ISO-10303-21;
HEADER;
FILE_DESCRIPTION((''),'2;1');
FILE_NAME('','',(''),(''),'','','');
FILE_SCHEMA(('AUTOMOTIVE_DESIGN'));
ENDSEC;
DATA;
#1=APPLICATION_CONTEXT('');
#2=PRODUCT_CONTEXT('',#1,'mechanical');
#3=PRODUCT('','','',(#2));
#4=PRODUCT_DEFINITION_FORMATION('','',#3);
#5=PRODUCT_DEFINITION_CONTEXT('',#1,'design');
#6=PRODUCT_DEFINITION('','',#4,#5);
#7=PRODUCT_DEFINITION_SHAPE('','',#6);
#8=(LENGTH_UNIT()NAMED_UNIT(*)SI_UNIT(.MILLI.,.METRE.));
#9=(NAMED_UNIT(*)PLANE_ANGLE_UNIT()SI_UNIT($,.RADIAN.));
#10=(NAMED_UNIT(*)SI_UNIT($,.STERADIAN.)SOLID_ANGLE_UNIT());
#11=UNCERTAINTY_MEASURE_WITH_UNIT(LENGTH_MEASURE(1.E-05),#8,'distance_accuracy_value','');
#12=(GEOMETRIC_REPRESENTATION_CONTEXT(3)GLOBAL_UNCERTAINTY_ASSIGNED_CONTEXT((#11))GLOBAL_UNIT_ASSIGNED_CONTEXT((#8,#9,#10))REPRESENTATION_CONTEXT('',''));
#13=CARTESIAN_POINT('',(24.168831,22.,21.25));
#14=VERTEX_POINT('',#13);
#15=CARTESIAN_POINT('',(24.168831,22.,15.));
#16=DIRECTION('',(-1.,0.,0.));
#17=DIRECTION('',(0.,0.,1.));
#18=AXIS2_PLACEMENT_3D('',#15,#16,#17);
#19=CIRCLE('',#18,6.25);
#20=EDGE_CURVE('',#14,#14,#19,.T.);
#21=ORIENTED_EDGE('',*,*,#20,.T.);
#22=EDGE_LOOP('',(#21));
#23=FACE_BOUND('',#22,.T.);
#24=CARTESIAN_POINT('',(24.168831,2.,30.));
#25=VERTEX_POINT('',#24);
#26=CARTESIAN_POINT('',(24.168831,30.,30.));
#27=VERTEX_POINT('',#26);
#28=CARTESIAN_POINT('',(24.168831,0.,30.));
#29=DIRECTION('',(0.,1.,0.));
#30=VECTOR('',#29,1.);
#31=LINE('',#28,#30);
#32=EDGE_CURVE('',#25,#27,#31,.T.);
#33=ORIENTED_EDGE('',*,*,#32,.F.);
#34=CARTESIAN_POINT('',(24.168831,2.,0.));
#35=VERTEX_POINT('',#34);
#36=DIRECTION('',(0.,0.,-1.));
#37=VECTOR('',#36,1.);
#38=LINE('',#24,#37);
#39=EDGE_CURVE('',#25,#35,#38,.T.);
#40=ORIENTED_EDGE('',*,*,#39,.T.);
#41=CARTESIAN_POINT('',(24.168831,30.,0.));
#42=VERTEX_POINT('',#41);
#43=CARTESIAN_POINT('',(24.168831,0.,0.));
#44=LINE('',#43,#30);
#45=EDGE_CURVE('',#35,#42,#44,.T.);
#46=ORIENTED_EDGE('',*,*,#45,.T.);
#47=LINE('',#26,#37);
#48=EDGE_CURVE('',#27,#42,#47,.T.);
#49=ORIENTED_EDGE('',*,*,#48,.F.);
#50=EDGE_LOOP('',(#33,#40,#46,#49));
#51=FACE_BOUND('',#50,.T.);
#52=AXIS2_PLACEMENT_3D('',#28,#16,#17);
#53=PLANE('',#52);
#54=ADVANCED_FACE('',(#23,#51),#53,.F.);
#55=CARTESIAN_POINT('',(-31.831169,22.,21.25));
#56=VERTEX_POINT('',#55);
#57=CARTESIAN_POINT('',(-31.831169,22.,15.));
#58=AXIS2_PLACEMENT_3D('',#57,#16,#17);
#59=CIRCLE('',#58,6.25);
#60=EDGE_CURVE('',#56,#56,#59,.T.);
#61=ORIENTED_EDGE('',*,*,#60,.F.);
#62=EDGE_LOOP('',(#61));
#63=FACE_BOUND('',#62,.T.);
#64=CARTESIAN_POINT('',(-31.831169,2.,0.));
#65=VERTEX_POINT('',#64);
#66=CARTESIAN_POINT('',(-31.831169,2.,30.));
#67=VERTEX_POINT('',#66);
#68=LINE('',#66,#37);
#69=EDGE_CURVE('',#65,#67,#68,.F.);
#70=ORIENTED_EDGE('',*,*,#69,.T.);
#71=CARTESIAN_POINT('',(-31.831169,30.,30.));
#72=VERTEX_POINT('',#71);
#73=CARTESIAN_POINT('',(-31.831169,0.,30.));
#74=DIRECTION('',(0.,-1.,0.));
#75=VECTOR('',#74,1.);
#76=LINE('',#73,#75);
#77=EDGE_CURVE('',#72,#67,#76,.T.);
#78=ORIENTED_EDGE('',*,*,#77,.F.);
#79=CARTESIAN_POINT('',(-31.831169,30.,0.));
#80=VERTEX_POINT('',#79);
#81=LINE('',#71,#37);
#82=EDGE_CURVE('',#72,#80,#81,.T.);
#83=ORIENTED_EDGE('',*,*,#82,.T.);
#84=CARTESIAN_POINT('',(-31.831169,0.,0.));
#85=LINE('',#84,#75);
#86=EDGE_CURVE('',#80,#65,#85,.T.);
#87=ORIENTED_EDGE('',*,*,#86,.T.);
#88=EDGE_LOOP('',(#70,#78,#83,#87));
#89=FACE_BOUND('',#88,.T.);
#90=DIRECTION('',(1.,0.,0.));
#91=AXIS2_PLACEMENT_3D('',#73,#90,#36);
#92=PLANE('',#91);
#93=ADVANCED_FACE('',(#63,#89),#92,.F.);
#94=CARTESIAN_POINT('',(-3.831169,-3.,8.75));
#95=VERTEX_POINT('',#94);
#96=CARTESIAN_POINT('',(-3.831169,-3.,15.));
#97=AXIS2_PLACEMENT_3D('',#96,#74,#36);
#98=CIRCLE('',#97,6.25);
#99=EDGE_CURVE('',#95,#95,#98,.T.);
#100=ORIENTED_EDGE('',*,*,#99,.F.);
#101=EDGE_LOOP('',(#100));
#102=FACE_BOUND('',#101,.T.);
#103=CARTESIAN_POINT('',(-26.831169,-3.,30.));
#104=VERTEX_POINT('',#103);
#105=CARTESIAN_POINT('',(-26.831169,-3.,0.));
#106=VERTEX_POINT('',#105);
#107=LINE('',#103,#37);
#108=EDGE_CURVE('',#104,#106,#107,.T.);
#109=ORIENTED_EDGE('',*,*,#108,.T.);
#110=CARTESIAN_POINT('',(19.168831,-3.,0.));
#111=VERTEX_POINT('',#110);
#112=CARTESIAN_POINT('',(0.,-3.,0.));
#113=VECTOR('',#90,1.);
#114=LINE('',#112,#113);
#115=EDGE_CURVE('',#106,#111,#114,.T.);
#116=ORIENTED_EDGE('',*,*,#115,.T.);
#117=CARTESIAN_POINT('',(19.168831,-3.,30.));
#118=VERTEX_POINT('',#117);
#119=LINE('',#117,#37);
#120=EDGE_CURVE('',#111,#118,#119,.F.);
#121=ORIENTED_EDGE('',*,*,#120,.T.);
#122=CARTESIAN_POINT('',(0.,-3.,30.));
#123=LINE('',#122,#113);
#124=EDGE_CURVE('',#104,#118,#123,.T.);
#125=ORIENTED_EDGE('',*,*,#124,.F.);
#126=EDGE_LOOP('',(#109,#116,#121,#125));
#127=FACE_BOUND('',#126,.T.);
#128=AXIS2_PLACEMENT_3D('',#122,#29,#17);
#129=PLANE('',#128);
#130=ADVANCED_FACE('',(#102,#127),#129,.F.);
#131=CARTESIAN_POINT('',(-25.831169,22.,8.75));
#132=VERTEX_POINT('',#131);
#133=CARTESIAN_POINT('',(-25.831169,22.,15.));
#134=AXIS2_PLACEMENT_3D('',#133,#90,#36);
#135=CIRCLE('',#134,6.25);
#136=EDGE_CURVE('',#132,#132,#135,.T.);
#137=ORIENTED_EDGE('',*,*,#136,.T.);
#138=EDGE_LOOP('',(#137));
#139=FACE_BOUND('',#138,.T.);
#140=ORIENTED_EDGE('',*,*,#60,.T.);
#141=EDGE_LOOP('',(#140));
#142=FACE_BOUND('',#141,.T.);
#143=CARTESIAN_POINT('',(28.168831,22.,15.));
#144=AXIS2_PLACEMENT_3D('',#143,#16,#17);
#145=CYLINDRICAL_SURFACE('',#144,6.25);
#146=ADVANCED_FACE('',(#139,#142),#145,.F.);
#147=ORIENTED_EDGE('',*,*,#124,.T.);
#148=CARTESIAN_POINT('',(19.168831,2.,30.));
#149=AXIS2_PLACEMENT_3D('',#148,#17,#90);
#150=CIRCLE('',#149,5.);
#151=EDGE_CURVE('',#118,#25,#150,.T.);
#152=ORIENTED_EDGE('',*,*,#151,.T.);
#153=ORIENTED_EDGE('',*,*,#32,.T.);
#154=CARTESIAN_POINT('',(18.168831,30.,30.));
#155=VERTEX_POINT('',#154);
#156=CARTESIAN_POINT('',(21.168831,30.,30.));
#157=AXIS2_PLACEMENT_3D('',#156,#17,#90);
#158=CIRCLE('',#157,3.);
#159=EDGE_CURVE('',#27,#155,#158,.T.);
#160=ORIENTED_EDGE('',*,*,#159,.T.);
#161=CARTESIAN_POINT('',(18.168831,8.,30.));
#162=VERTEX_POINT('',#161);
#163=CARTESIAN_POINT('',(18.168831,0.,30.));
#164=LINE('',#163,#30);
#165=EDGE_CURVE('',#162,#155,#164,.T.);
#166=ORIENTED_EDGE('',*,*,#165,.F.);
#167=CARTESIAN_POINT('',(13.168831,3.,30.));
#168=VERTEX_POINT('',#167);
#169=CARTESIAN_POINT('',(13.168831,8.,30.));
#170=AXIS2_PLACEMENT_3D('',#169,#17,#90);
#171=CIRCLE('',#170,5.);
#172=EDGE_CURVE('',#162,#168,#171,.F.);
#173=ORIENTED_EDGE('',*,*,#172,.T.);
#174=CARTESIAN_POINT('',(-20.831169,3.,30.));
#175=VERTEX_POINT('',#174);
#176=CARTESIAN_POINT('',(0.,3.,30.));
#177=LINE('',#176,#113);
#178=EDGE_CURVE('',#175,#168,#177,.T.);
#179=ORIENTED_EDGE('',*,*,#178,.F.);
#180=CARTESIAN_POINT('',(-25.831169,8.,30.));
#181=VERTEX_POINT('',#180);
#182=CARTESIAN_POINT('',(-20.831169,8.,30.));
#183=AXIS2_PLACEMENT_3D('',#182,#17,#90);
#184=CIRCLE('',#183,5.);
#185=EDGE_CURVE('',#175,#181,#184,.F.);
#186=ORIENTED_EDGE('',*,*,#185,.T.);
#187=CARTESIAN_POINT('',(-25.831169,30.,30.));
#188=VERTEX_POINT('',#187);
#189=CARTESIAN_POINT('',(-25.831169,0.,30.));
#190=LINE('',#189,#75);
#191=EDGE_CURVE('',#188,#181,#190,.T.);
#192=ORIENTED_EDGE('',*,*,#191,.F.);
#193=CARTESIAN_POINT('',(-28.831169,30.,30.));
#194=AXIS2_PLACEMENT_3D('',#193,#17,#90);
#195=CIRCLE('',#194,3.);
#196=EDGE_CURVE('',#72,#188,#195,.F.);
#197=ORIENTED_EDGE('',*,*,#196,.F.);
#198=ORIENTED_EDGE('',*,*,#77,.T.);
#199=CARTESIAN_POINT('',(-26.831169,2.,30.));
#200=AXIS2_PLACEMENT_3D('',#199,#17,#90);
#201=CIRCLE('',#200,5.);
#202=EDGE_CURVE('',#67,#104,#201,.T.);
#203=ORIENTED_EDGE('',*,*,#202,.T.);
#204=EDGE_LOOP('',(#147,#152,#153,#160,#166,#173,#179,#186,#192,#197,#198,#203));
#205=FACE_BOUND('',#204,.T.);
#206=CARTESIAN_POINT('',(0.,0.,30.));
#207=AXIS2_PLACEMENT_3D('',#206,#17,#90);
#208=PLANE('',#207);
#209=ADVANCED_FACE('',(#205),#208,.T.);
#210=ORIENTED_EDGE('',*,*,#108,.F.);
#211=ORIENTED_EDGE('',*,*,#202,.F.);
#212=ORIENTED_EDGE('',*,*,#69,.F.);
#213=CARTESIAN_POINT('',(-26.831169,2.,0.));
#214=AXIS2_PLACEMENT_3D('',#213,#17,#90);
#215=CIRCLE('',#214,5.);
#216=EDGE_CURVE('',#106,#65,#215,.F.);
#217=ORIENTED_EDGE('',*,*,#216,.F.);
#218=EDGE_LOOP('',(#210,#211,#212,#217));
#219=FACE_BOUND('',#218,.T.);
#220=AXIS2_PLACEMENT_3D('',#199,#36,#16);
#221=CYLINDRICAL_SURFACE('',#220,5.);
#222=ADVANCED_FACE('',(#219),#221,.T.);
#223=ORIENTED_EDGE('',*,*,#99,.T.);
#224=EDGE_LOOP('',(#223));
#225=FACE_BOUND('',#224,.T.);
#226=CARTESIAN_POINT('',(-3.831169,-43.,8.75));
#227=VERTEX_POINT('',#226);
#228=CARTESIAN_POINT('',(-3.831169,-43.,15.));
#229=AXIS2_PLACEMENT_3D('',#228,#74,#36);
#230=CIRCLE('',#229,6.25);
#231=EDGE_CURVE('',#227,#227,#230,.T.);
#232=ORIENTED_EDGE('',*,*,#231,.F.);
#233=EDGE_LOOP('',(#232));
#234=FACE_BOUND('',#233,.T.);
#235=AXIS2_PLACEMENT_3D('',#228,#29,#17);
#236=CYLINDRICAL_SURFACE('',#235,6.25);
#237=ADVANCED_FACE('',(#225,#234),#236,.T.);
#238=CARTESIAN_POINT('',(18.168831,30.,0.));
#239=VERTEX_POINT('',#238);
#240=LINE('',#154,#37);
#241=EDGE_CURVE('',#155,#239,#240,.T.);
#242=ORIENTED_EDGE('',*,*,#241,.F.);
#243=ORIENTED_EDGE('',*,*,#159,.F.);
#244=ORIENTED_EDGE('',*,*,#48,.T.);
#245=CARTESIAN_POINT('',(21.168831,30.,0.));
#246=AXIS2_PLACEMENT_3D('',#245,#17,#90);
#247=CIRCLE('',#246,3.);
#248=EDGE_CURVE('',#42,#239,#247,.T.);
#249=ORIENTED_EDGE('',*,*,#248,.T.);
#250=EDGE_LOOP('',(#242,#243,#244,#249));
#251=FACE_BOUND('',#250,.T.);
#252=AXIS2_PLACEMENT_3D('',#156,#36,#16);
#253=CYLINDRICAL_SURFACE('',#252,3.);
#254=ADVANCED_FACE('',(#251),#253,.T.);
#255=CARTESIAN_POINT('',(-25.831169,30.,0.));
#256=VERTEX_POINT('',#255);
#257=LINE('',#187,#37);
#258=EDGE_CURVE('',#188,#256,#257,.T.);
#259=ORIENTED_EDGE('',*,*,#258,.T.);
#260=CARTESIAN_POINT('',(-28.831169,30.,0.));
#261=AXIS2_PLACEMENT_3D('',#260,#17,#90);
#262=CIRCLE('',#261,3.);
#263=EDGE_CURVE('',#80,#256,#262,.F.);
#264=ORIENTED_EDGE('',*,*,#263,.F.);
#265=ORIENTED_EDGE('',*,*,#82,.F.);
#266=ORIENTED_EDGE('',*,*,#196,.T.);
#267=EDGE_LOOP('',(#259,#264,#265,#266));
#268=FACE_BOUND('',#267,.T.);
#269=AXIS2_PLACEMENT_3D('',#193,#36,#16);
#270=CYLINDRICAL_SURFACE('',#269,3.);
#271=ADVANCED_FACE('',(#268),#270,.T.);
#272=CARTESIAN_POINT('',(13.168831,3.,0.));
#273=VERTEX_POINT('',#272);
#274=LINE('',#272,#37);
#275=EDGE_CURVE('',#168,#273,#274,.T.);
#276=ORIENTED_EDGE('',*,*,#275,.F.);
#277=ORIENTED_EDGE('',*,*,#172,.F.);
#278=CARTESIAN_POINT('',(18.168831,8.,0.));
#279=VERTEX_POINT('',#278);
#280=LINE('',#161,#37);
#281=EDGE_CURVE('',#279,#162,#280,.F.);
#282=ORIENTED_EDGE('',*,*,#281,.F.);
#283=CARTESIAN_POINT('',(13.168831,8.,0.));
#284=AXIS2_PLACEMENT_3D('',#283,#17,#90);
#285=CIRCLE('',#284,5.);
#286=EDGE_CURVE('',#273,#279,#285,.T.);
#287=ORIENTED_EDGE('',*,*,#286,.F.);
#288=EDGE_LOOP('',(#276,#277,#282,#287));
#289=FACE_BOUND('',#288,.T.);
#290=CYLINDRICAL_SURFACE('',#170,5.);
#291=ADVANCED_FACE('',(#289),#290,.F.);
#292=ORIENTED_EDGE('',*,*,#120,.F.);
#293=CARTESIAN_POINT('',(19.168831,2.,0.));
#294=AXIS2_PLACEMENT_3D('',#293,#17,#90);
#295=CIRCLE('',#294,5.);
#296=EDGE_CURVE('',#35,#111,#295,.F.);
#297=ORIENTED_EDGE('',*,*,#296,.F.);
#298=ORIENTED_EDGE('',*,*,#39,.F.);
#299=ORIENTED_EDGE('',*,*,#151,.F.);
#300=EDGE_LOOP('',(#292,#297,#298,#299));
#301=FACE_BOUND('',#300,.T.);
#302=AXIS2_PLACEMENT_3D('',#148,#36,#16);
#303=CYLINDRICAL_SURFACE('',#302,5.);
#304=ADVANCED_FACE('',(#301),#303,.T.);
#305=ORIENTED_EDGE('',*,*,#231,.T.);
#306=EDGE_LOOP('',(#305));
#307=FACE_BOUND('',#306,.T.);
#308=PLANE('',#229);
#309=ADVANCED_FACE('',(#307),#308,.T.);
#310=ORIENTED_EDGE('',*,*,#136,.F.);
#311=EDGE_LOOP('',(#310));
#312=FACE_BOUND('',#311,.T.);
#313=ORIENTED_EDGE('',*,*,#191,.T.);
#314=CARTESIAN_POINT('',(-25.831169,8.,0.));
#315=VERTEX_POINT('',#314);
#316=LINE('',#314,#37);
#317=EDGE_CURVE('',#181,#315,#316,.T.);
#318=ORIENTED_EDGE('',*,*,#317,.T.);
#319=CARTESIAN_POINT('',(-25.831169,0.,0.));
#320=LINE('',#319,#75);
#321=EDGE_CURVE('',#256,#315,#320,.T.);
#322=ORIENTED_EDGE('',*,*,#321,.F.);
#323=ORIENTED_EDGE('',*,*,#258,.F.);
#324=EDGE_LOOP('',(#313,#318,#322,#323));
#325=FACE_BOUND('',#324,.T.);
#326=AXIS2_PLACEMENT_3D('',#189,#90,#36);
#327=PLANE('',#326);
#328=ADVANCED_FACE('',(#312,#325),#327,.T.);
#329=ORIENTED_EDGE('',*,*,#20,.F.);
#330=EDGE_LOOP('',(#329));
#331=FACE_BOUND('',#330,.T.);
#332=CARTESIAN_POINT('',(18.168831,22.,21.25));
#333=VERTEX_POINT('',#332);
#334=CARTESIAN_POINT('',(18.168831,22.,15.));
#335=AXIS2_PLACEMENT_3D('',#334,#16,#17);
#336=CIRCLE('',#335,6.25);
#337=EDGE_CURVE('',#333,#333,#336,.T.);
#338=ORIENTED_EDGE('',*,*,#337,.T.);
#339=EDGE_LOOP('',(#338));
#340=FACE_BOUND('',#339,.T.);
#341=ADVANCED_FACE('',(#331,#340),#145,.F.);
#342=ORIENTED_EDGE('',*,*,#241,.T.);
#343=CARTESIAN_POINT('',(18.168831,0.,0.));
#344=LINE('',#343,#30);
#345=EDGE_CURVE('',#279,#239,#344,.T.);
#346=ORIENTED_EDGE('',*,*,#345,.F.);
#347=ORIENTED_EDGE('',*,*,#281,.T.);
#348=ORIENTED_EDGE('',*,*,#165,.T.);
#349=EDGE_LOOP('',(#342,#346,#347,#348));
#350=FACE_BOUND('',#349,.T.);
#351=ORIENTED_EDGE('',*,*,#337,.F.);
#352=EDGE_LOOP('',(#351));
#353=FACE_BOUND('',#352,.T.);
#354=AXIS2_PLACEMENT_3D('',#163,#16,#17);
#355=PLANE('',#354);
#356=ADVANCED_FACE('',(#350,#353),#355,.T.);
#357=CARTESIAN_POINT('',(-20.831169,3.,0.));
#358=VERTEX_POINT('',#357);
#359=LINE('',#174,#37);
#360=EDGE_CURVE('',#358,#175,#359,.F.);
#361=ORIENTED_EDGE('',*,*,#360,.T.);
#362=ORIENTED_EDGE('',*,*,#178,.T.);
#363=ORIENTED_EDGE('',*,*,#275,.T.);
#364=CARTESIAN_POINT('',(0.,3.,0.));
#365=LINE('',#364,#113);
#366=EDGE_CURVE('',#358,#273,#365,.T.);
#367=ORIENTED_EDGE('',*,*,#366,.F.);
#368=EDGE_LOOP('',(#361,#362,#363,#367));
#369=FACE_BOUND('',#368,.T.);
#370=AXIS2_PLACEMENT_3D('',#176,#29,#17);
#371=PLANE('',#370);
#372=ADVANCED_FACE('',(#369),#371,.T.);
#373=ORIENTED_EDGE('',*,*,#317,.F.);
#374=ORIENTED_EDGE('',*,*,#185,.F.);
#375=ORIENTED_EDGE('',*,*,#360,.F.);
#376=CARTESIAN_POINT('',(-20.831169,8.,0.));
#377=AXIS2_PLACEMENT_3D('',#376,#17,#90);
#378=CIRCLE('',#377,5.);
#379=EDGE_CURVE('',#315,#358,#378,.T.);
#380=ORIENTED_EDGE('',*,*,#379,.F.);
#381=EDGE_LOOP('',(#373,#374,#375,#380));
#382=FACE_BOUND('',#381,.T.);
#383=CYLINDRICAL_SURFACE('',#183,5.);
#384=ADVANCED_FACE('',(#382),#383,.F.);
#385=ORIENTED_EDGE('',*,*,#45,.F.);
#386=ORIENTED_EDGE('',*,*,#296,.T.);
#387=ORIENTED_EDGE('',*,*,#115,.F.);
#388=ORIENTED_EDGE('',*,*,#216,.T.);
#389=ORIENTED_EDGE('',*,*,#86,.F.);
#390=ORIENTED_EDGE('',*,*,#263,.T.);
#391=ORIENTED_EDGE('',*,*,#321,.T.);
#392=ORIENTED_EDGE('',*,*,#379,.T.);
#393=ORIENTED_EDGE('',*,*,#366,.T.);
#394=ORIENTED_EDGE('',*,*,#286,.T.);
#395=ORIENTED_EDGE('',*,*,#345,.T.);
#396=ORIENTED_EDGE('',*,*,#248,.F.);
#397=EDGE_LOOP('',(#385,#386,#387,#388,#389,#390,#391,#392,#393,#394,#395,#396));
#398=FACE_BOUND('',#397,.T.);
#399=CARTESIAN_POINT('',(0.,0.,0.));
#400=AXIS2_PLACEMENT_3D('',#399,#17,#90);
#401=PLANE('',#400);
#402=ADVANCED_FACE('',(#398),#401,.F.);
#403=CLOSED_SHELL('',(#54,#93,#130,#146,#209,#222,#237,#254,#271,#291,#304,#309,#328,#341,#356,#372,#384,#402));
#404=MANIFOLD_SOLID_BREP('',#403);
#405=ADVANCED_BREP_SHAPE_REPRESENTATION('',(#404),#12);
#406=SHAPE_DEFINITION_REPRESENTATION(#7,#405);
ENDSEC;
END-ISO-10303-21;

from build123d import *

# Parameters (mm, degrees)
BOSS_EXTRUDE1_DEPTH = 30
SKETCH3_R           = 6.25
BOSS_EXTRUDE2_DEPTH = 40
FILLET1_R           = 5
FILLET2_R           = 5
SKETCH4_R           = 6.25
CUT_EXTRUDE2_DEPTH  = 60


with BuildPart() as part:
    # Sketch2 → Boss-Extrude1 (new body)
    with BuildSketch(Plane.XY):
        with BuildLine():
            Line((-31.831168831, 30), (-31.831168831, -3))
            Line((-31.831168831, -3), (24.168831169, -3))
            Line((24.168831169, -3), (24.168831169, 30))
            ThreePointArc((24.168831169, 30), (21.168831169, 33), (18.168831169, 30))
            Line((18.168831169, 30), (18.168831169, 3))
            Line((18.168831169, 3), (-25.831168831, 3))
            Line((-25.831168831, 3), (-25.831168831, 30))
            ThreePointArc((-25.831168831, 30), (-28.831168831, 33), (-31.831168831, 30))
        make_face()
    extrude(amount=BOSS_EXTRUDE1_DEPTH)

    # Sketch3 → Boss-Extrude2 (add)
    with BuildSketch(Plane.XZ.offset(3)):
        with Locations(Location((-3.831168831, 15, 0), (0, 0, 270))):
            Circle(SKETCH3_R)
    extrude(amount=BOSS_EXTRUDE2_DEPTH)

    # Fillet1
    fillet1_edges = [part.edges().sort_by_distance(p)[0] for p in [
        (-31.831168831, -3, 15),
    ]]
    fillet(fillet1_edges, radius=FILLET1_R)

    # Fillet2
    fillet2_edges = [part.edges().sort_by_distance(p)[0] for p in [
        (24.168831169, -3, 15),
        (-25.831168831, 3, 15),
        (18.168831169, 3, 15),
    ]]
    fillet(fillet2_edges, radius=FILLET2_R)

    # Sketch4 → Cut-Extrude2 (cut)
    with BuildSketch(Plane.ZY.offset(31.831168831)):
        with Locations((15, 22)):
            Circle(SKETCH4_R)
    extrude(amount=-CUT_EXTRUDE2_DEPTH, mode=Mode.SUBTRACT)


solid = part.part
